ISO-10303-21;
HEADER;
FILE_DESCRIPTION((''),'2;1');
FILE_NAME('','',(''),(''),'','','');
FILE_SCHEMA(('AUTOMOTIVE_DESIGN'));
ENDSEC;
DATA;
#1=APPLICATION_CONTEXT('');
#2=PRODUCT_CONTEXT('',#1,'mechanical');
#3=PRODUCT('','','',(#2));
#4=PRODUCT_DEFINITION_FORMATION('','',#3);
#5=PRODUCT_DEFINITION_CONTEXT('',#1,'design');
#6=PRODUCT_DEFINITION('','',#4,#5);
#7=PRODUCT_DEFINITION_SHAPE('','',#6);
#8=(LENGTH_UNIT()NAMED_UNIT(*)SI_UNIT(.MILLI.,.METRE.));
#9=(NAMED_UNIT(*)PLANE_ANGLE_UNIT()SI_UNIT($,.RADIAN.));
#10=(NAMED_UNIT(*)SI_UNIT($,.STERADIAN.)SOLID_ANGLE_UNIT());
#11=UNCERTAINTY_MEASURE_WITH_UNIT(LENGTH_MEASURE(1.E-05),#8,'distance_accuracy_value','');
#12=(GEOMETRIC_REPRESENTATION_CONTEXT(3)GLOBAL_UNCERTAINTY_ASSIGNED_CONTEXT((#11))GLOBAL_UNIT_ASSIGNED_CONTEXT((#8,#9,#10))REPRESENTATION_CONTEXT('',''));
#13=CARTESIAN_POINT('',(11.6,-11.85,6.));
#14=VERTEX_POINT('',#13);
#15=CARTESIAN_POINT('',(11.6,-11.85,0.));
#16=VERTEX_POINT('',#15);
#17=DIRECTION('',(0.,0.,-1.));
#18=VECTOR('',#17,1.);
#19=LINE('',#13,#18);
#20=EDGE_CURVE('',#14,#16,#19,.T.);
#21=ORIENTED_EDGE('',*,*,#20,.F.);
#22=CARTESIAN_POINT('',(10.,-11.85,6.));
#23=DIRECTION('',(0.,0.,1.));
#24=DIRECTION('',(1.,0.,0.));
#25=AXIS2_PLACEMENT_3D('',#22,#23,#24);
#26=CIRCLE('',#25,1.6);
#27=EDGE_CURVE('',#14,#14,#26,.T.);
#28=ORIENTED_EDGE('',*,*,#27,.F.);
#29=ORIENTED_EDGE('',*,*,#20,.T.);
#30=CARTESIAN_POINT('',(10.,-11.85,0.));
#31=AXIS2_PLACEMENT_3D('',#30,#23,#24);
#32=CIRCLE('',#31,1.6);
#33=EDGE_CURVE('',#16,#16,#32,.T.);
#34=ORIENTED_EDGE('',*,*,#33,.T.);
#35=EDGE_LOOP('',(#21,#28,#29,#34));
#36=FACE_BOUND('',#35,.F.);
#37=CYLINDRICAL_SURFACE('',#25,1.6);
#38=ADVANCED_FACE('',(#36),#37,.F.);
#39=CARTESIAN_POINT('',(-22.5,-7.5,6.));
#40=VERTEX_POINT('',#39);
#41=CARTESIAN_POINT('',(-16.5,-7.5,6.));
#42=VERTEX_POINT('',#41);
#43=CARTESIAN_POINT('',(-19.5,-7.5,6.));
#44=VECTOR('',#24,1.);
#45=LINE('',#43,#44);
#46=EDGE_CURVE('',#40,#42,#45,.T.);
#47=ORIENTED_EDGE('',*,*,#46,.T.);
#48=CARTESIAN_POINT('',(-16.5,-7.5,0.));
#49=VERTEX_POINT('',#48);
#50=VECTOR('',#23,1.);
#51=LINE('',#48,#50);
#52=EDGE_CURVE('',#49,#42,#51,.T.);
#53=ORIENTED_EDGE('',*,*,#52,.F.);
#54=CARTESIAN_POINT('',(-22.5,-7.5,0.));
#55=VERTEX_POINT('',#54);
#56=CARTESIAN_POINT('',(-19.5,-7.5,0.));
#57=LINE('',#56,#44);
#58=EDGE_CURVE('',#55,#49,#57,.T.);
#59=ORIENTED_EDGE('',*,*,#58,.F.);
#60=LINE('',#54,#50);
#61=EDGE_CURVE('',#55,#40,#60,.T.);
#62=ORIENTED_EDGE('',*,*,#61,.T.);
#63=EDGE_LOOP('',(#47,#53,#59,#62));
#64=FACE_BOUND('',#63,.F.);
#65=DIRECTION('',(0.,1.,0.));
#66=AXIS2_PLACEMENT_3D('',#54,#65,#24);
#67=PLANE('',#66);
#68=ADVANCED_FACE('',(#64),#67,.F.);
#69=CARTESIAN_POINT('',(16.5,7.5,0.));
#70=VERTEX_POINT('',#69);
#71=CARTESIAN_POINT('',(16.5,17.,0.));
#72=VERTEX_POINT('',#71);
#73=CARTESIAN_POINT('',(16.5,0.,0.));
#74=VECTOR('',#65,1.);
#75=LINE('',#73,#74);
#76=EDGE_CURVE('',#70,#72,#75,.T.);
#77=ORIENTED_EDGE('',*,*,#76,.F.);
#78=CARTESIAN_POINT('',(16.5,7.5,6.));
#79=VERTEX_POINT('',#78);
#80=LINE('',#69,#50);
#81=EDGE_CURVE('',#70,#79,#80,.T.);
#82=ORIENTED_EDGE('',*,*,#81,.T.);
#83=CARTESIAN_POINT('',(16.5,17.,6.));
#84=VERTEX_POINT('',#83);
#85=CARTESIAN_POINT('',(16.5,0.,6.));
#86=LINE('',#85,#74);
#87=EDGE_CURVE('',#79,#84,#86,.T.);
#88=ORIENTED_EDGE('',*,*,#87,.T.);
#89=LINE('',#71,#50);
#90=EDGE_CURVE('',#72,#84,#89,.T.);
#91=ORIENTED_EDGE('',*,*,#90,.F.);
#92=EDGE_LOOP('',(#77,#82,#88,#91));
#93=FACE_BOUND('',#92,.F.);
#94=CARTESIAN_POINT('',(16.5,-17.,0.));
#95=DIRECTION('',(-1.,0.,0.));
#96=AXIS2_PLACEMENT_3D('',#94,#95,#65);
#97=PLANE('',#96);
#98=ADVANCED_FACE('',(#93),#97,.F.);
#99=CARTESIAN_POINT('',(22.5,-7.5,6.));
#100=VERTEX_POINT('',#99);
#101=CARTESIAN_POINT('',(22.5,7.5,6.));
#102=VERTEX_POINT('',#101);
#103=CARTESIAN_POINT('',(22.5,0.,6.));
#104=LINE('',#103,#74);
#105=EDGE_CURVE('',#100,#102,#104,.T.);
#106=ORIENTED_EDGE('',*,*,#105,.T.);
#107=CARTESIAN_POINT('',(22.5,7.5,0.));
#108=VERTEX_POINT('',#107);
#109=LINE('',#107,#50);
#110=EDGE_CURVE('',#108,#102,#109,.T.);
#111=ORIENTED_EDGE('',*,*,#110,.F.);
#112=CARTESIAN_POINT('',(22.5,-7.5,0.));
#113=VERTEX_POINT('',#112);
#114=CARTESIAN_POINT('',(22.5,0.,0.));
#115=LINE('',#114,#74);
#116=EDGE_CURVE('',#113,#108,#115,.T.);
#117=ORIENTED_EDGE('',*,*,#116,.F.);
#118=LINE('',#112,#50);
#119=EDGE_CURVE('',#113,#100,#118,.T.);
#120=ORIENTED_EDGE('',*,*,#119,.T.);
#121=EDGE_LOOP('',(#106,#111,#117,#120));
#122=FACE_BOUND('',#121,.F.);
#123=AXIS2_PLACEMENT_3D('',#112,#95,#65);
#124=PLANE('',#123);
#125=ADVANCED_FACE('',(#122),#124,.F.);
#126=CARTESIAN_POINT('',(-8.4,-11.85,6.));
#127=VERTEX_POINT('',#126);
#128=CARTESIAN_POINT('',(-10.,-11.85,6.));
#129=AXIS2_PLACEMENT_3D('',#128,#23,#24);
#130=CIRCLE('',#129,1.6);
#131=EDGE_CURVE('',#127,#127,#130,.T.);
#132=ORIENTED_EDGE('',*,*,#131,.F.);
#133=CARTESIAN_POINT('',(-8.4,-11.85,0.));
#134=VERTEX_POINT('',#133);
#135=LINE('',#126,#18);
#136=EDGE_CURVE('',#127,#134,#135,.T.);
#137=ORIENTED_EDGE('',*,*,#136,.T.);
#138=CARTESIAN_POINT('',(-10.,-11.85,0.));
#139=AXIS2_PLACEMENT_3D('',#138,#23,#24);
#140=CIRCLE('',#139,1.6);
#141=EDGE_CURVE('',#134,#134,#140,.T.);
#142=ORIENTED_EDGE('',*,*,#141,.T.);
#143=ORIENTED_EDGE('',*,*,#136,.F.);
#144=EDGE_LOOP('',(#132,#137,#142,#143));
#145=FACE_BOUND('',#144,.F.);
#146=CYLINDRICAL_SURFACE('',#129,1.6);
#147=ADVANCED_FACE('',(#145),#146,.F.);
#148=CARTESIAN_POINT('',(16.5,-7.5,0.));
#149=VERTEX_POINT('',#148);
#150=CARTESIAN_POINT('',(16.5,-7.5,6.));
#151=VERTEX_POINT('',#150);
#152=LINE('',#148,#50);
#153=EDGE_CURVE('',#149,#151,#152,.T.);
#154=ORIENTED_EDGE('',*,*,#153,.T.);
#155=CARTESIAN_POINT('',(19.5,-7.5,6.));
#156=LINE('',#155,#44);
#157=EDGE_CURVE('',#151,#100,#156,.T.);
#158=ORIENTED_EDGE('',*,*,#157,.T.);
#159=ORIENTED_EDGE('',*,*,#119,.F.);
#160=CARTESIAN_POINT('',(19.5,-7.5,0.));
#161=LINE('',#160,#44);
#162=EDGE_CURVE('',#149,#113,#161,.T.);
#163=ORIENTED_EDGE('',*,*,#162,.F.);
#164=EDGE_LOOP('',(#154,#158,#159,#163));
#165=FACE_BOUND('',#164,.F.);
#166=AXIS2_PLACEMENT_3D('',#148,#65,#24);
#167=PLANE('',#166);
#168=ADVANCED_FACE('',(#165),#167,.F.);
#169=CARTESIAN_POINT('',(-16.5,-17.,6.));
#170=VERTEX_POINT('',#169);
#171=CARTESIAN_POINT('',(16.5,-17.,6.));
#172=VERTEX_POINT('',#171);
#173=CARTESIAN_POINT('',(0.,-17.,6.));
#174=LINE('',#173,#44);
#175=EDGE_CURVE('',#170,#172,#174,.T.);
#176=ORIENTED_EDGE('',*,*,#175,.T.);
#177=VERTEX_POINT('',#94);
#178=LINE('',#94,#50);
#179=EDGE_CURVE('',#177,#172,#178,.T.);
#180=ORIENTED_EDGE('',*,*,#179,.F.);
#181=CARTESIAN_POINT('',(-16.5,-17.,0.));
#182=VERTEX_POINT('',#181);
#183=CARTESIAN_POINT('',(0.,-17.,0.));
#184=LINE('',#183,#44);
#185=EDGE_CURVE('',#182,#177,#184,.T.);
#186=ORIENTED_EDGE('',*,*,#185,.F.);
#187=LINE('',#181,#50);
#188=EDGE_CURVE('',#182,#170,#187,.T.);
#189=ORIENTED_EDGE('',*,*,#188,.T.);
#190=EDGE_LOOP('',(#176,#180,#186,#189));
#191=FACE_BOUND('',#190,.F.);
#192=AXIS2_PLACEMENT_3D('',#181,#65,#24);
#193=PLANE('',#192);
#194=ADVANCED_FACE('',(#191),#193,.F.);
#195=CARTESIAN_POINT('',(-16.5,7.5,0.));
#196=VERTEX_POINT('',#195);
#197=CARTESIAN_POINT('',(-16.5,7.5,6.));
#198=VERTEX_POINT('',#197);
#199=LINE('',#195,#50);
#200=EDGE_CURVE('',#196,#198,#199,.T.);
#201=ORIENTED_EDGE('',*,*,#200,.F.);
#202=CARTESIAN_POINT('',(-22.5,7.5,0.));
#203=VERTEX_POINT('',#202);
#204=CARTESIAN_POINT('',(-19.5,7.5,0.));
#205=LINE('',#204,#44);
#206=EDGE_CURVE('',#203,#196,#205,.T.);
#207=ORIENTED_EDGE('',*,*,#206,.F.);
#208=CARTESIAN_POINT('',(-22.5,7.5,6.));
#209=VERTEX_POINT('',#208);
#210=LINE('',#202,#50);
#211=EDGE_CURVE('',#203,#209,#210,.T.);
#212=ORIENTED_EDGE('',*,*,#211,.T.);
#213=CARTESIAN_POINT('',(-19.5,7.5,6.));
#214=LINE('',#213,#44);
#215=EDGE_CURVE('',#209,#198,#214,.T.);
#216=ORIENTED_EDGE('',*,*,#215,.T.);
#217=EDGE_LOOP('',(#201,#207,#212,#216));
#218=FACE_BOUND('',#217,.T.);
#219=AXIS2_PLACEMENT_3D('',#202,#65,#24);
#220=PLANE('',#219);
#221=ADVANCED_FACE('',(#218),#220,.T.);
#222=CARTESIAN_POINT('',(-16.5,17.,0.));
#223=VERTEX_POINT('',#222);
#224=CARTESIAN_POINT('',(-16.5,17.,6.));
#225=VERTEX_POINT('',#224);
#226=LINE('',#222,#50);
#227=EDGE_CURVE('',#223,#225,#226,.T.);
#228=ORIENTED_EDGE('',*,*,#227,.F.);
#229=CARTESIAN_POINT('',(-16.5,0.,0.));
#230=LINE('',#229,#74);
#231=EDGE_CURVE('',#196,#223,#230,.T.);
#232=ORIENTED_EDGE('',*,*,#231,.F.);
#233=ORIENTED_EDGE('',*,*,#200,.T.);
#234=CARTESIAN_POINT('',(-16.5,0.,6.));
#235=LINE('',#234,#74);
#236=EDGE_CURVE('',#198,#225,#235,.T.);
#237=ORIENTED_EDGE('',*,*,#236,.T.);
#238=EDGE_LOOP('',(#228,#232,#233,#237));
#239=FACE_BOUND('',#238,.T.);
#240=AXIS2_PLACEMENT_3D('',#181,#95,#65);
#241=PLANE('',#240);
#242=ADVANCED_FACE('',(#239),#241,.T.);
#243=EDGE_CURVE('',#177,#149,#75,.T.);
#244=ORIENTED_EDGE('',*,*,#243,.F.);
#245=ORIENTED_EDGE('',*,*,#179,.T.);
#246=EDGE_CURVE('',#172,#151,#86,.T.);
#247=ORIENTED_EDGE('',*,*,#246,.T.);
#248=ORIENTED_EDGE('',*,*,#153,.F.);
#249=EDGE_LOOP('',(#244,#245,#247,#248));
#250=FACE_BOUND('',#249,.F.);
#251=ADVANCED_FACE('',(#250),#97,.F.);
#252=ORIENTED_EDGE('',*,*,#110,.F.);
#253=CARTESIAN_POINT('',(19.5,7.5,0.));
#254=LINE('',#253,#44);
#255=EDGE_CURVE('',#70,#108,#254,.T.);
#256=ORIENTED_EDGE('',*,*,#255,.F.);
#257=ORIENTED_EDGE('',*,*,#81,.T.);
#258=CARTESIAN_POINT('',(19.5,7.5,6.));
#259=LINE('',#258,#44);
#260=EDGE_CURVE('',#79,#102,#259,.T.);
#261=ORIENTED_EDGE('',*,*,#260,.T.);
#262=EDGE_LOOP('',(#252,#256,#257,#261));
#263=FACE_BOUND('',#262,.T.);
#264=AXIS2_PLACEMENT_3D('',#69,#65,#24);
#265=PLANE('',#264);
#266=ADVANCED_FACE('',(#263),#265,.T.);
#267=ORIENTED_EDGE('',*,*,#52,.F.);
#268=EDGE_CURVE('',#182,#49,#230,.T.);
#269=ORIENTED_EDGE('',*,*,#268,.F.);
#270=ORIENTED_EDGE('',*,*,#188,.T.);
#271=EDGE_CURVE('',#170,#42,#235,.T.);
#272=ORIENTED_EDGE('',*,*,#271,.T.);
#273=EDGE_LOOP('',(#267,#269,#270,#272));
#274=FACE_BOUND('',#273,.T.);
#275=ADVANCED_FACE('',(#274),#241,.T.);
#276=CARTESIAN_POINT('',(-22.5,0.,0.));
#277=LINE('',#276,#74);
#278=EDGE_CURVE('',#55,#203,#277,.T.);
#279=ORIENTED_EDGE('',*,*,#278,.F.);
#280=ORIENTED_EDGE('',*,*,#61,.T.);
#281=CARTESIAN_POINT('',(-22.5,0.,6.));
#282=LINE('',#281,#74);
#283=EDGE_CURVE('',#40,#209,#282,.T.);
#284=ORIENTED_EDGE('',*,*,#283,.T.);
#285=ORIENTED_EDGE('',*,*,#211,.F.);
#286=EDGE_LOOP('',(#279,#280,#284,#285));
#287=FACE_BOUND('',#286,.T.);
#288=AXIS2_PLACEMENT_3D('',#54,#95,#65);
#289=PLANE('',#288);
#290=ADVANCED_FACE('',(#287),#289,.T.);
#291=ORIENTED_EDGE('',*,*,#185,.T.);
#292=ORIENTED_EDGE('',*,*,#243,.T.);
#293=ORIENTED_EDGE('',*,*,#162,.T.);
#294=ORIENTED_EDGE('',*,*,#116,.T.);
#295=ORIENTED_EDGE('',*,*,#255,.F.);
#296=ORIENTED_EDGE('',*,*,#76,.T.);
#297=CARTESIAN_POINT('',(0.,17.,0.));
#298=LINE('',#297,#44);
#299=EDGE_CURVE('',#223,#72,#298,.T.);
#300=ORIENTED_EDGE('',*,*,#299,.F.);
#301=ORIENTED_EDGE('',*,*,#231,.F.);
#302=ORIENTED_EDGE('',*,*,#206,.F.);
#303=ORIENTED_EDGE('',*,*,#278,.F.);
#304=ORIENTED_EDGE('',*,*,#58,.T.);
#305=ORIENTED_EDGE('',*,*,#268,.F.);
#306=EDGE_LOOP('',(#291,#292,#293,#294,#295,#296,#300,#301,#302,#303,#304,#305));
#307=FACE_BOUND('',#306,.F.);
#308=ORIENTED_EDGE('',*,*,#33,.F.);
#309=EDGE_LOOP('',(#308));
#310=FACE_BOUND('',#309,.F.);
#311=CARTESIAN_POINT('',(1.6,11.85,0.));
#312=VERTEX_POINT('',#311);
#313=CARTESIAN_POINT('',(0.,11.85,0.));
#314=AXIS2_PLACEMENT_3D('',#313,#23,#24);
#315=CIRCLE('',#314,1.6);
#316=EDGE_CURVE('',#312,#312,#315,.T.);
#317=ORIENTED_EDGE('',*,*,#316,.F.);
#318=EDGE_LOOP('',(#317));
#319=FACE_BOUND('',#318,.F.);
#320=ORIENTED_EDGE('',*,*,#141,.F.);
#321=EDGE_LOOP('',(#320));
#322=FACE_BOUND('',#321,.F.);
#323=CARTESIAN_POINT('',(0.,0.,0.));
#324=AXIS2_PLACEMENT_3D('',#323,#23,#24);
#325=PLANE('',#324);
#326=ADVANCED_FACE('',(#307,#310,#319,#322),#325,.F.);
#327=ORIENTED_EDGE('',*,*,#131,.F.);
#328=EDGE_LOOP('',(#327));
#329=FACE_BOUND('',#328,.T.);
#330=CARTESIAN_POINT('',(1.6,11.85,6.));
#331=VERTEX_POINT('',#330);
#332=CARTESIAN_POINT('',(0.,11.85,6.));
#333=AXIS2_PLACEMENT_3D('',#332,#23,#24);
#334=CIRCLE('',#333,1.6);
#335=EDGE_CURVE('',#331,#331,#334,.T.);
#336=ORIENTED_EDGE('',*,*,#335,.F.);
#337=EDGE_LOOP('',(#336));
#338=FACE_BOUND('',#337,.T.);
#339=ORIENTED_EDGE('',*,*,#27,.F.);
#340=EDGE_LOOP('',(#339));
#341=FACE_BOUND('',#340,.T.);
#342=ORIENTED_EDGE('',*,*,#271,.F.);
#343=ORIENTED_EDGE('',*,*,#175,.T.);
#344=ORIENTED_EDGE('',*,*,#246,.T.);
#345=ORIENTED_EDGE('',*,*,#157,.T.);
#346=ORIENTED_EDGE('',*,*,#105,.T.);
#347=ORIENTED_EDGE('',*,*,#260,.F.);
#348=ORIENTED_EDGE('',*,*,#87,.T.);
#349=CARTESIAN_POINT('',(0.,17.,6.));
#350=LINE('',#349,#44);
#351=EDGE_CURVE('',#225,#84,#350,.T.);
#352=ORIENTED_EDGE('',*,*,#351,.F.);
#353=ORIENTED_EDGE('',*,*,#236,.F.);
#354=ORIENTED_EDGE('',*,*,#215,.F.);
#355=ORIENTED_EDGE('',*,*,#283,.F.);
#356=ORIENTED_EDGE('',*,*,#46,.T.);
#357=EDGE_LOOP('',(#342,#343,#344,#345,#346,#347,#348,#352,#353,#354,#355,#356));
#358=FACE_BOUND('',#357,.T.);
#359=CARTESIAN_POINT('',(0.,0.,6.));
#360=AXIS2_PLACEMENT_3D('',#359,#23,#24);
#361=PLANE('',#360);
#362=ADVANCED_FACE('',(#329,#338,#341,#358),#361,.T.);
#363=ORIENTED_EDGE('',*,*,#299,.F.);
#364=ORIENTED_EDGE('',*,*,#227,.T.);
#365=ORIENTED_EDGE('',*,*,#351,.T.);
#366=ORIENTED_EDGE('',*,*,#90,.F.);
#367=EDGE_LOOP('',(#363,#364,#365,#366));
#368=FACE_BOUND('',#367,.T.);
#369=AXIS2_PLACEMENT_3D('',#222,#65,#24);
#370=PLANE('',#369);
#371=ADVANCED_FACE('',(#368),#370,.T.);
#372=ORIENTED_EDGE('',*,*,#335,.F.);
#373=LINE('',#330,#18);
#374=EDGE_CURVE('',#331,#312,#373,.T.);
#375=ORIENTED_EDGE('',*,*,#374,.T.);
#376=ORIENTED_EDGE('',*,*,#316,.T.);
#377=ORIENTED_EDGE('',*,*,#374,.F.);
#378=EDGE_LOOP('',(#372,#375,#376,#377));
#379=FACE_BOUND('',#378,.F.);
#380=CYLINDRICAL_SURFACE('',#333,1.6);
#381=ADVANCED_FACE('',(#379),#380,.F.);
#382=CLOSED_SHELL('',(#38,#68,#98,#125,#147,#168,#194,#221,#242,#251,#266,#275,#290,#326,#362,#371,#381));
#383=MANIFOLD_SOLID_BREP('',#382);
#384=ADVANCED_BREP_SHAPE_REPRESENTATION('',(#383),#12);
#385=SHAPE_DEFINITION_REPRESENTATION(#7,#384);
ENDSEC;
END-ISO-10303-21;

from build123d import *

# Parameters (mm, degrees)
F0_W     = 33
F0_H     = 34
F1_DEPTH = 6
F3_W     = 6
F3_H     = 15
F4_DEPTH = 6
F2_R     = 1.6
F5_DEPTH = 6


with BuildPart() as f1:
    # F0 (on Top) → F1 (new body)
    with BuildSketch(Plane.XY):
        Rectangle(F0_W, F0_H)
    extrude(amount=F1_DEPTH)

    # F3 (on Top) → F4 (join)
    with BuildSketch(Plane.XY):
        with Locations((-19.5, 0)):
            Rectangle(F3_W, F3_H)
        with Locations((19.5, 0)):
            Rectangle(F3_W, F3_H)
    extrude(amount=F4_DEPTH)

    # F2 (on face) → F5 (cut, through all)
    with BuildSketch(Plane.XY.offset(6)):
        with Locations((-10, -11.85)):
            Circle(F2_R)
        with Locations((10, -11.85)):
            Circle(F2_R)
        with Locations((0, 11.85)):
            Circle(F2_R)
    extrude(amount=-F5_DEPTH, mode=Mode.SUBTRACT)


solid = f1.part
